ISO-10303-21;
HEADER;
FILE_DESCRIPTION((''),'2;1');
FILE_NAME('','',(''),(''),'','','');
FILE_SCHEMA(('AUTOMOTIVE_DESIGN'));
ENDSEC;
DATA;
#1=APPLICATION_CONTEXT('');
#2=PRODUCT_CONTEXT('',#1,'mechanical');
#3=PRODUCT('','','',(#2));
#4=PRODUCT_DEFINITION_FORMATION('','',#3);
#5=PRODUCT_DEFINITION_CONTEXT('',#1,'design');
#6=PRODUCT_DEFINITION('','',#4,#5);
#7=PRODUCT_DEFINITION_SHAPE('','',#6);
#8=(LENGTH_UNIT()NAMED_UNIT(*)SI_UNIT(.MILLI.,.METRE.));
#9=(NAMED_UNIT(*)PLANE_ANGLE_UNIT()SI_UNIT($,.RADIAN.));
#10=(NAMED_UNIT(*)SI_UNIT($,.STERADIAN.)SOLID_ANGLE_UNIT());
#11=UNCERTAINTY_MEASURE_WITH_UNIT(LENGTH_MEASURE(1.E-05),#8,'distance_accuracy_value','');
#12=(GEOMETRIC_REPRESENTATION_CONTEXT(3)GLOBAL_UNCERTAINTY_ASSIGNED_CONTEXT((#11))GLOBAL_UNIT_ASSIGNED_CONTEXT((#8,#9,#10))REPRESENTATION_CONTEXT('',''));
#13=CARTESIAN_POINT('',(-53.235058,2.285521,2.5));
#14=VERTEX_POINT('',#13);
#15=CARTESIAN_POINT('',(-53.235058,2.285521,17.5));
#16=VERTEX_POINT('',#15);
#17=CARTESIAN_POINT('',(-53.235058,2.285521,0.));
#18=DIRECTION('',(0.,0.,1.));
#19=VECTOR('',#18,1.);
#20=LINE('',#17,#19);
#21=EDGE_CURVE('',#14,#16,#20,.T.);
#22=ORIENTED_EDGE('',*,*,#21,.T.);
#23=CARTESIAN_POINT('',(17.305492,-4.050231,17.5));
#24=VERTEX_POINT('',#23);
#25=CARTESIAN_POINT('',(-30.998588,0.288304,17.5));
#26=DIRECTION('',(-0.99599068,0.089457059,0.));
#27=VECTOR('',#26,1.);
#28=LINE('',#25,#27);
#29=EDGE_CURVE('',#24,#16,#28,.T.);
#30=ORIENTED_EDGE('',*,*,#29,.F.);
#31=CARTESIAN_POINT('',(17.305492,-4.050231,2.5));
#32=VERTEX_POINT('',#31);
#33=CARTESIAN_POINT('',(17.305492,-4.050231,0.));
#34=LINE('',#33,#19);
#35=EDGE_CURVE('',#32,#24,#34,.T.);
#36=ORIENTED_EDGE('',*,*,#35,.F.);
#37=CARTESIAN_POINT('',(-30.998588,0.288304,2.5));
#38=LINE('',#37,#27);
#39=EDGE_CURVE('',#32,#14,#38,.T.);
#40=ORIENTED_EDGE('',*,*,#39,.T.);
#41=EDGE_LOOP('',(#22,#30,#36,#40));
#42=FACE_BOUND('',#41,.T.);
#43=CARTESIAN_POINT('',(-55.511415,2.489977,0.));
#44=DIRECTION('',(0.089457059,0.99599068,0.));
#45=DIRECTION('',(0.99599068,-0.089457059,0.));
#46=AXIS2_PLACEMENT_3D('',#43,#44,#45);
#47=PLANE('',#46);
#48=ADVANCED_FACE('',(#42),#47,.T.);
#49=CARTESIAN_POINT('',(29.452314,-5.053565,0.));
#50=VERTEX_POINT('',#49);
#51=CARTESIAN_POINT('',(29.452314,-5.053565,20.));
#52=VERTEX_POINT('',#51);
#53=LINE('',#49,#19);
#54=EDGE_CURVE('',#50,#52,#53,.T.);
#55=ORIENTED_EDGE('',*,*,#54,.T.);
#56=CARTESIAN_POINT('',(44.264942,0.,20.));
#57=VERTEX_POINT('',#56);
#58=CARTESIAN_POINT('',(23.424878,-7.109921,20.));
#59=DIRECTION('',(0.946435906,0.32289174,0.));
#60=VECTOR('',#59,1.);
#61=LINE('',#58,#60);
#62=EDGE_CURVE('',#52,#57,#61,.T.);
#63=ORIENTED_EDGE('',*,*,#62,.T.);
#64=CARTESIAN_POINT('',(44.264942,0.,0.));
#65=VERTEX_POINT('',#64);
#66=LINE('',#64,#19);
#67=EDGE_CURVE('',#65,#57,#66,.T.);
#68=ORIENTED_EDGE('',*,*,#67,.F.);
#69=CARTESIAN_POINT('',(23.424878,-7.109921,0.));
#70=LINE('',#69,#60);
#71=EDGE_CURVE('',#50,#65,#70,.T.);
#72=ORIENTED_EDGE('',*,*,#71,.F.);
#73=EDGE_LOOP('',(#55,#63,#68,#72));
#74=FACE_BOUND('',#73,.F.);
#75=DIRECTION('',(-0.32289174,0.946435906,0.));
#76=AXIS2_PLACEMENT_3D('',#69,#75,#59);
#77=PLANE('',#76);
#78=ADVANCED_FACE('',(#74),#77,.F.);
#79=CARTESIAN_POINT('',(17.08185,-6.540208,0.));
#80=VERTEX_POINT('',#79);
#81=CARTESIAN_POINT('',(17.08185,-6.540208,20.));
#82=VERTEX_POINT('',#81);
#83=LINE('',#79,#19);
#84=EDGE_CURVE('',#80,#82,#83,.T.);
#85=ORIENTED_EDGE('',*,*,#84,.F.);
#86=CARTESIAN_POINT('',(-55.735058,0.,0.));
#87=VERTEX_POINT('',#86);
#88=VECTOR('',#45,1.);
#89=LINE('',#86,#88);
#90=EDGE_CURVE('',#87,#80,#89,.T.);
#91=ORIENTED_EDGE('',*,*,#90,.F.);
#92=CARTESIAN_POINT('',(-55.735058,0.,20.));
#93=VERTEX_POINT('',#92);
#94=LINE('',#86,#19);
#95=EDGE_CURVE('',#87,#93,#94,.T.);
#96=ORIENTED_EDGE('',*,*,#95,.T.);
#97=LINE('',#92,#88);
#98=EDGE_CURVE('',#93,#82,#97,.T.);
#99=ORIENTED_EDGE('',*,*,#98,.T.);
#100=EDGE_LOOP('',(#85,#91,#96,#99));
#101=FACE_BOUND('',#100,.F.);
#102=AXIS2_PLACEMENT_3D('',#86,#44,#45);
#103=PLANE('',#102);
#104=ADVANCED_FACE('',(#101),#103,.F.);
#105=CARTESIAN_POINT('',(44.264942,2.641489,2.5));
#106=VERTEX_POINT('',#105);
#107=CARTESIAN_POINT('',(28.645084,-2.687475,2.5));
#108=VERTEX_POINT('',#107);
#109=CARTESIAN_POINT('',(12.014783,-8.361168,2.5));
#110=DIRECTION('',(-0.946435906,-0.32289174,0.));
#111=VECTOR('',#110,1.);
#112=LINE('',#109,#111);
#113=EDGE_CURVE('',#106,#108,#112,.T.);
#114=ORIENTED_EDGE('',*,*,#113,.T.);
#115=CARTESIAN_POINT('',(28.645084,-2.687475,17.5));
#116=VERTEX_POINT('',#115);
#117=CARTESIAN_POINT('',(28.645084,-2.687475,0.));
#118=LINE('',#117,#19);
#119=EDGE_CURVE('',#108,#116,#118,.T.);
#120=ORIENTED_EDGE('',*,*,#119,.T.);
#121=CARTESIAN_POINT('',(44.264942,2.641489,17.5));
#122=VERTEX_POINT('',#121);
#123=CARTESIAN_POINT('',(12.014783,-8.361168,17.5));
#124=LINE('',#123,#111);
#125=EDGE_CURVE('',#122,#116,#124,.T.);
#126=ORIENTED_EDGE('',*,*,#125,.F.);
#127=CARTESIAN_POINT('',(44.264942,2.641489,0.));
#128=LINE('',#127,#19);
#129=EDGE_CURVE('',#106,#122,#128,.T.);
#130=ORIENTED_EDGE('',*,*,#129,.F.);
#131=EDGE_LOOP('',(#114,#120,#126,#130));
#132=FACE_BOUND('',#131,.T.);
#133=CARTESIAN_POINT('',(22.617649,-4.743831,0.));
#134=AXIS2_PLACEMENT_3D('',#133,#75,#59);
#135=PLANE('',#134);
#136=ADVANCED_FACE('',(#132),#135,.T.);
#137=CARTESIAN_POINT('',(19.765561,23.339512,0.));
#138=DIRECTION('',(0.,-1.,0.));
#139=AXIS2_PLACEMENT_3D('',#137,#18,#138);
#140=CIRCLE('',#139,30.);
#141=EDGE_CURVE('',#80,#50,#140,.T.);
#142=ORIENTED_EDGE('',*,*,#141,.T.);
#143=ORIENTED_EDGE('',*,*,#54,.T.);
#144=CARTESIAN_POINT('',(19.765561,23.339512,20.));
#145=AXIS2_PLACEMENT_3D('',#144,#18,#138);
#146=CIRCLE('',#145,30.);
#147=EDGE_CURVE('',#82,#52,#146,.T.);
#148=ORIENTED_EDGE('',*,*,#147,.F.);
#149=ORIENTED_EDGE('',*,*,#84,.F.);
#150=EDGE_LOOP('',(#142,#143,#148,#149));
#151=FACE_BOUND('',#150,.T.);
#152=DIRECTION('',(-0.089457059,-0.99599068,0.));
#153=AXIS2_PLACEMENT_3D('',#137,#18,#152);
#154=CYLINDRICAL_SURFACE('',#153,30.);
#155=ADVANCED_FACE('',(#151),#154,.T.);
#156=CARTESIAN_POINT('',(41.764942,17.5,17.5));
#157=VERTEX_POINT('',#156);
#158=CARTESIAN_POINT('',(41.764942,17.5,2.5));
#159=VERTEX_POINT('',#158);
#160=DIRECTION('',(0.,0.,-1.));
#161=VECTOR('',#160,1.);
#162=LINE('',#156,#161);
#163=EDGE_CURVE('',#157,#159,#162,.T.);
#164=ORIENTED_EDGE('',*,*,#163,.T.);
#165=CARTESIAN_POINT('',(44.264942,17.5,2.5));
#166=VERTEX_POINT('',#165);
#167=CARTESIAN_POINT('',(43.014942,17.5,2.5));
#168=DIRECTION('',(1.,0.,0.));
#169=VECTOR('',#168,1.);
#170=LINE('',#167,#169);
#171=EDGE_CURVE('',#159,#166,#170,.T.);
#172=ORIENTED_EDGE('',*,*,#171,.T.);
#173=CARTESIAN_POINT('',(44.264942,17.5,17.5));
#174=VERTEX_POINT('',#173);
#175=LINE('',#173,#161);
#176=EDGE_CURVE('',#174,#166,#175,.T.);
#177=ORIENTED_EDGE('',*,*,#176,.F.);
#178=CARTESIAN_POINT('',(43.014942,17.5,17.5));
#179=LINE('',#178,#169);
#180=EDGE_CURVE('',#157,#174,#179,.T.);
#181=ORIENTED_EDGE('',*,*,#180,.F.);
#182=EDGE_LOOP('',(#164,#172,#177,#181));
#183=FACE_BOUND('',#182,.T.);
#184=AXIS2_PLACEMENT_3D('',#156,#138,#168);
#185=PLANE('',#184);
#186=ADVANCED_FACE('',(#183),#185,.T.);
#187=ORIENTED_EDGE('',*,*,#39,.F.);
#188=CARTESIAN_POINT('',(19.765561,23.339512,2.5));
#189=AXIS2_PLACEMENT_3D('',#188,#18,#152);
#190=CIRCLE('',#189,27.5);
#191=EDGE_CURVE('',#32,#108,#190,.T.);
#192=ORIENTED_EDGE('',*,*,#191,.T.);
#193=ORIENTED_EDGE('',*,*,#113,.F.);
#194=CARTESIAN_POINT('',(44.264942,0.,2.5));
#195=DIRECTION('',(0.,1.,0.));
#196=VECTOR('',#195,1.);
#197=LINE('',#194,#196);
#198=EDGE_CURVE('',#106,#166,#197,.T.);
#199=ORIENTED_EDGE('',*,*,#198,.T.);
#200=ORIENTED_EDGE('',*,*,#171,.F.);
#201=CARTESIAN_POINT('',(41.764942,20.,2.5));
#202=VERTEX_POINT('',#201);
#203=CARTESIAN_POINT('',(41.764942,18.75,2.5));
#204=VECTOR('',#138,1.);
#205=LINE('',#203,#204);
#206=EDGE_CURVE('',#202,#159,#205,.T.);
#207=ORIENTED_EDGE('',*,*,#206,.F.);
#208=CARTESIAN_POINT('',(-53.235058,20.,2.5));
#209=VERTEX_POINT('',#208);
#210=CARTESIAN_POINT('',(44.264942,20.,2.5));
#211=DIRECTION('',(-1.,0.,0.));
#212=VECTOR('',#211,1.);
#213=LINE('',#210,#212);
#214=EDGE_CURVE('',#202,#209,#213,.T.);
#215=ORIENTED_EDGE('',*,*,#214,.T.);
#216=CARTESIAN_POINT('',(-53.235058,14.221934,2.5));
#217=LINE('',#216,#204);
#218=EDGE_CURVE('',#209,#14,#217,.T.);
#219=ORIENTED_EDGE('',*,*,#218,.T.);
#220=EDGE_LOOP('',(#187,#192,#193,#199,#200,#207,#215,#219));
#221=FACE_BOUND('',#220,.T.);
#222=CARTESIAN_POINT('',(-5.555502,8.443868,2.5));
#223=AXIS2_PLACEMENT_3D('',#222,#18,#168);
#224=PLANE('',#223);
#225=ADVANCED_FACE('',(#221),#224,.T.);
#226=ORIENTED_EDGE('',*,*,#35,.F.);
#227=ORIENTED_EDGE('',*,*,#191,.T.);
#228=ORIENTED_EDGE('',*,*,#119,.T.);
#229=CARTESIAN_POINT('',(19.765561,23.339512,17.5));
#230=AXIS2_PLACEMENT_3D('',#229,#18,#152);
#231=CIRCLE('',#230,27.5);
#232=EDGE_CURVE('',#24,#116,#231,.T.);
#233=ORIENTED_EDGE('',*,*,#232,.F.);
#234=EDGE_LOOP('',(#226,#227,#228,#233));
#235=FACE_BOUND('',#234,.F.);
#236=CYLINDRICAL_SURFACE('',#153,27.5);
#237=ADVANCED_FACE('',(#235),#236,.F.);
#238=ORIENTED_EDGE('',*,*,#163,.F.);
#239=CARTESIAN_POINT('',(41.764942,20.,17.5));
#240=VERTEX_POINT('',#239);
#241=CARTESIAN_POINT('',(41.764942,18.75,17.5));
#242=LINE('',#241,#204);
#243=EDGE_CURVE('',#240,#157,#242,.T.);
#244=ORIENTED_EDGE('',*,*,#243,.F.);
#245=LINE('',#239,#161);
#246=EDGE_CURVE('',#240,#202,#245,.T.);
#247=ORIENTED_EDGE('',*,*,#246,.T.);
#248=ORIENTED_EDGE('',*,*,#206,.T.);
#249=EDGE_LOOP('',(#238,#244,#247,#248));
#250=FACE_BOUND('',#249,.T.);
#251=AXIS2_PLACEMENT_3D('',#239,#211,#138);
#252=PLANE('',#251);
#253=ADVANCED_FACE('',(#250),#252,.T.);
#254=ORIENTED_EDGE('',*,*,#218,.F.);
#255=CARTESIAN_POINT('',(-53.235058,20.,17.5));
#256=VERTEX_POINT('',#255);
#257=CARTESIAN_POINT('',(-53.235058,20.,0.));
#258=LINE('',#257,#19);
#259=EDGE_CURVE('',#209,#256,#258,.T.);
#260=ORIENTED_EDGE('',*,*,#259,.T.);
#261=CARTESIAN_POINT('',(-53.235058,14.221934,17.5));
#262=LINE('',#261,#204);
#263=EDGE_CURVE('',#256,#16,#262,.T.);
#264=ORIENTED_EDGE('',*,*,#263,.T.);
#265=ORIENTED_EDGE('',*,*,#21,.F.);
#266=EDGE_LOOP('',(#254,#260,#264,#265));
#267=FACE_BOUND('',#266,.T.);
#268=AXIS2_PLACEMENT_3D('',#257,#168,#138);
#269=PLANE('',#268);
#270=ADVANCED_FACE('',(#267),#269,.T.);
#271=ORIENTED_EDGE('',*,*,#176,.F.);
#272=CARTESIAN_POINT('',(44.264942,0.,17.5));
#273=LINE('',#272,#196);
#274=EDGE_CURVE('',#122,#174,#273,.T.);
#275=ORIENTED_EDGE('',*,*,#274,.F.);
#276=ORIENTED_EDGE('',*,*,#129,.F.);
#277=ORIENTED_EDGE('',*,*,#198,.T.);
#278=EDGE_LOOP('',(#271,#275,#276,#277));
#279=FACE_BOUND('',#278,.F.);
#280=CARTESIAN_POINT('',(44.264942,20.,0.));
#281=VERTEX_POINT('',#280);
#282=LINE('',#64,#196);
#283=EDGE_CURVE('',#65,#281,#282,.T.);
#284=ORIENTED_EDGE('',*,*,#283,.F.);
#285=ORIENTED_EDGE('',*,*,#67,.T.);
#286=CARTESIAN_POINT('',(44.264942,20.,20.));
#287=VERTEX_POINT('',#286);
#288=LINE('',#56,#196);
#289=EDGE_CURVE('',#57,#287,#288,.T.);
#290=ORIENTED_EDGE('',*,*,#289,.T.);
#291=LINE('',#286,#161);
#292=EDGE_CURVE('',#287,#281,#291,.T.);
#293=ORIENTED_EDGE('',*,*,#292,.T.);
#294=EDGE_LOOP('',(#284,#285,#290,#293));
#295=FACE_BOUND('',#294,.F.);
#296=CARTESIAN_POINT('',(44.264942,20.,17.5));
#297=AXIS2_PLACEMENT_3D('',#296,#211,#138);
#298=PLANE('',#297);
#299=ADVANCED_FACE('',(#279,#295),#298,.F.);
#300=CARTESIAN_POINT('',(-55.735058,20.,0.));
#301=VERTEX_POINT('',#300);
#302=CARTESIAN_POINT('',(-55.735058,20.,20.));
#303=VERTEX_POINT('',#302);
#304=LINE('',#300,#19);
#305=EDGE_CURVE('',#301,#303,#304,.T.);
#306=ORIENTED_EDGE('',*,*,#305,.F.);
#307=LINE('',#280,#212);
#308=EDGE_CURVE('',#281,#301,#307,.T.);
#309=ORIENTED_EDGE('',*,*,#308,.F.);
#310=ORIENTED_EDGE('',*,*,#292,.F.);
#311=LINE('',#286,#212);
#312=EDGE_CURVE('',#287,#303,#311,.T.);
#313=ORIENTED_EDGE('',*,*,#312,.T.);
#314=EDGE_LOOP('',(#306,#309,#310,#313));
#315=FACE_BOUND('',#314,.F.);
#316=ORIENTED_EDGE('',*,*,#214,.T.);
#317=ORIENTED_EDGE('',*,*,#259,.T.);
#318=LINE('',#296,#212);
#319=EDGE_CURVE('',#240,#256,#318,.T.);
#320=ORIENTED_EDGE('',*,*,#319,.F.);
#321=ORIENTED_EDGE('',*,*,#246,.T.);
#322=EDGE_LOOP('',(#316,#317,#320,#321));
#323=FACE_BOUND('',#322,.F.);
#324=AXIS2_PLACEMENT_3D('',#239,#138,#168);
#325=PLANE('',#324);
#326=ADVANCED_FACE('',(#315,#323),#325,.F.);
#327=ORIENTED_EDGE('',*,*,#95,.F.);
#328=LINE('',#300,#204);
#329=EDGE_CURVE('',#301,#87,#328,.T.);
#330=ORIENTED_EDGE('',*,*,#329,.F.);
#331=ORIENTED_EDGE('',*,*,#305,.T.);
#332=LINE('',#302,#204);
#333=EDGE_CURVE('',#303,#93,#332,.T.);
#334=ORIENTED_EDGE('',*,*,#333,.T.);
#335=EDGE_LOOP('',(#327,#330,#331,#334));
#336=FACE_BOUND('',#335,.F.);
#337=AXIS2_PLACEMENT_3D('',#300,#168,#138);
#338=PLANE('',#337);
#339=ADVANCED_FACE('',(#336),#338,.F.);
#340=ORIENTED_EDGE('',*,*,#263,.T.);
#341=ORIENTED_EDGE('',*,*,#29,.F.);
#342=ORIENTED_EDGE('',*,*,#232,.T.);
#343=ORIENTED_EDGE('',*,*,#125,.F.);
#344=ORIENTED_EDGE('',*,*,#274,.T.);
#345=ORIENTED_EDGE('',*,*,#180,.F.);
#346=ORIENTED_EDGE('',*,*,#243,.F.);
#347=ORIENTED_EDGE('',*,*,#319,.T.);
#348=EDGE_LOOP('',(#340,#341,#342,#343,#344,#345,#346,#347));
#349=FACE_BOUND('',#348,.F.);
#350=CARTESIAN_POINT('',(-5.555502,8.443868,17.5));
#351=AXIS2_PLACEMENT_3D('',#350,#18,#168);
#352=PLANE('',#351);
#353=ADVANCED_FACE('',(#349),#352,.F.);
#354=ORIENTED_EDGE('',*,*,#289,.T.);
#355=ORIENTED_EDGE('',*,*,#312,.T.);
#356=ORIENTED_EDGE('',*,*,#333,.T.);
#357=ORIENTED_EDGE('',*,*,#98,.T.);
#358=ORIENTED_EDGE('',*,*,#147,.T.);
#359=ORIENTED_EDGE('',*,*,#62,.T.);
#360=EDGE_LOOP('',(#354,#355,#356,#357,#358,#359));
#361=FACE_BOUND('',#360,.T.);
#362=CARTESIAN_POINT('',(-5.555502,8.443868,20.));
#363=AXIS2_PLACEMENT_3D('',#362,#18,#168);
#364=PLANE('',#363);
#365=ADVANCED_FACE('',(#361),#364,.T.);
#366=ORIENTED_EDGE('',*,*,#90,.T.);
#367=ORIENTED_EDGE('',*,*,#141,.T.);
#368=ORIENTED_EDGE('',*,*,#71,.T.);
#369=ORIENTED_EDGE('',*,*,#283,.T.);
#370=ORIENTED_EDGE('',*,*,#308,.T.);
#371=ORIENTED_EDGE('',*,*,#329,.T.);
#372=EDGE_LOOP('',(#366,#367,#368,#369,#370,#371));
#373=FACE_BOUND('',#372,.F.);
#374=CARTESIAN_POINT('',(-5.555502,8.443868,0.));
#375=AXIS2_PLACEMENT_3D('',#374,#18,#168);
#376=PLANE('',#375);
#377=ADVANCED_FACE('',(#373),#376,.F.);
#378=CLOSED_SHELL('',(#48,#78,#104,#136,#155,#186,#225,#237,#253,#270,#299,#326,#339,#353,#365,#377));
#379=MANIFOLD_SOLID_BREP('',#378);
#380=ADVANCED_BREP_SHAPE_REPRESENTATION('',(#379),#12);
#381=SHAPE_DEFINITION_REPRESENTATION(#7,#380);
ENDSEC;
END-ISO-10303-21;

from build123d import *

# Parameters (mm, degrees)
F1_DEPTH = 20
F2_R     = 30
F3_T     = -2.5
F4_W     = 2.5
F4_H     = 2.5
F5_DEPTH = 15


with BuildPart() as f1:
    # F0 (on Top) → F1 (new body)
    with BuildSketch(Plane.XY):
        Polygon((44.264942, 20), (-55.735058, 20), (-55.735058, 0), (23.424878, -7.109921), (44.264942, 0), align=None)
    extrude(amount=F1_DEPTH)

    # F2
    f2_edges = [f1.edges().sort_by_distance(p)[0] for p in [
        (23.424878, -7.109921, 10),
    ]]
    fillet(f2_edges, radius=F2_R)

    # F3
    f3_openings = [f1.faces().sort_by_distance(p)[0] for p in [
        (44.264942, 10, 10),
        (-5.735058, 20, 10),
    ]]
    offset(amount=F3_T, openings=f3_openings)

    # F4 (on face) → F5 (join)
    with BuildSketch(Plane(origin=(0, 0, 17.5), x_dir=(1, 0, 0), z_dir=(0, 0, -1))):
        with Locations((43.014942, -18.75)):
            Rectangle(F4_W, F4_H)
    extrude(amount=F5_DEPTH)


solid = f1.part
